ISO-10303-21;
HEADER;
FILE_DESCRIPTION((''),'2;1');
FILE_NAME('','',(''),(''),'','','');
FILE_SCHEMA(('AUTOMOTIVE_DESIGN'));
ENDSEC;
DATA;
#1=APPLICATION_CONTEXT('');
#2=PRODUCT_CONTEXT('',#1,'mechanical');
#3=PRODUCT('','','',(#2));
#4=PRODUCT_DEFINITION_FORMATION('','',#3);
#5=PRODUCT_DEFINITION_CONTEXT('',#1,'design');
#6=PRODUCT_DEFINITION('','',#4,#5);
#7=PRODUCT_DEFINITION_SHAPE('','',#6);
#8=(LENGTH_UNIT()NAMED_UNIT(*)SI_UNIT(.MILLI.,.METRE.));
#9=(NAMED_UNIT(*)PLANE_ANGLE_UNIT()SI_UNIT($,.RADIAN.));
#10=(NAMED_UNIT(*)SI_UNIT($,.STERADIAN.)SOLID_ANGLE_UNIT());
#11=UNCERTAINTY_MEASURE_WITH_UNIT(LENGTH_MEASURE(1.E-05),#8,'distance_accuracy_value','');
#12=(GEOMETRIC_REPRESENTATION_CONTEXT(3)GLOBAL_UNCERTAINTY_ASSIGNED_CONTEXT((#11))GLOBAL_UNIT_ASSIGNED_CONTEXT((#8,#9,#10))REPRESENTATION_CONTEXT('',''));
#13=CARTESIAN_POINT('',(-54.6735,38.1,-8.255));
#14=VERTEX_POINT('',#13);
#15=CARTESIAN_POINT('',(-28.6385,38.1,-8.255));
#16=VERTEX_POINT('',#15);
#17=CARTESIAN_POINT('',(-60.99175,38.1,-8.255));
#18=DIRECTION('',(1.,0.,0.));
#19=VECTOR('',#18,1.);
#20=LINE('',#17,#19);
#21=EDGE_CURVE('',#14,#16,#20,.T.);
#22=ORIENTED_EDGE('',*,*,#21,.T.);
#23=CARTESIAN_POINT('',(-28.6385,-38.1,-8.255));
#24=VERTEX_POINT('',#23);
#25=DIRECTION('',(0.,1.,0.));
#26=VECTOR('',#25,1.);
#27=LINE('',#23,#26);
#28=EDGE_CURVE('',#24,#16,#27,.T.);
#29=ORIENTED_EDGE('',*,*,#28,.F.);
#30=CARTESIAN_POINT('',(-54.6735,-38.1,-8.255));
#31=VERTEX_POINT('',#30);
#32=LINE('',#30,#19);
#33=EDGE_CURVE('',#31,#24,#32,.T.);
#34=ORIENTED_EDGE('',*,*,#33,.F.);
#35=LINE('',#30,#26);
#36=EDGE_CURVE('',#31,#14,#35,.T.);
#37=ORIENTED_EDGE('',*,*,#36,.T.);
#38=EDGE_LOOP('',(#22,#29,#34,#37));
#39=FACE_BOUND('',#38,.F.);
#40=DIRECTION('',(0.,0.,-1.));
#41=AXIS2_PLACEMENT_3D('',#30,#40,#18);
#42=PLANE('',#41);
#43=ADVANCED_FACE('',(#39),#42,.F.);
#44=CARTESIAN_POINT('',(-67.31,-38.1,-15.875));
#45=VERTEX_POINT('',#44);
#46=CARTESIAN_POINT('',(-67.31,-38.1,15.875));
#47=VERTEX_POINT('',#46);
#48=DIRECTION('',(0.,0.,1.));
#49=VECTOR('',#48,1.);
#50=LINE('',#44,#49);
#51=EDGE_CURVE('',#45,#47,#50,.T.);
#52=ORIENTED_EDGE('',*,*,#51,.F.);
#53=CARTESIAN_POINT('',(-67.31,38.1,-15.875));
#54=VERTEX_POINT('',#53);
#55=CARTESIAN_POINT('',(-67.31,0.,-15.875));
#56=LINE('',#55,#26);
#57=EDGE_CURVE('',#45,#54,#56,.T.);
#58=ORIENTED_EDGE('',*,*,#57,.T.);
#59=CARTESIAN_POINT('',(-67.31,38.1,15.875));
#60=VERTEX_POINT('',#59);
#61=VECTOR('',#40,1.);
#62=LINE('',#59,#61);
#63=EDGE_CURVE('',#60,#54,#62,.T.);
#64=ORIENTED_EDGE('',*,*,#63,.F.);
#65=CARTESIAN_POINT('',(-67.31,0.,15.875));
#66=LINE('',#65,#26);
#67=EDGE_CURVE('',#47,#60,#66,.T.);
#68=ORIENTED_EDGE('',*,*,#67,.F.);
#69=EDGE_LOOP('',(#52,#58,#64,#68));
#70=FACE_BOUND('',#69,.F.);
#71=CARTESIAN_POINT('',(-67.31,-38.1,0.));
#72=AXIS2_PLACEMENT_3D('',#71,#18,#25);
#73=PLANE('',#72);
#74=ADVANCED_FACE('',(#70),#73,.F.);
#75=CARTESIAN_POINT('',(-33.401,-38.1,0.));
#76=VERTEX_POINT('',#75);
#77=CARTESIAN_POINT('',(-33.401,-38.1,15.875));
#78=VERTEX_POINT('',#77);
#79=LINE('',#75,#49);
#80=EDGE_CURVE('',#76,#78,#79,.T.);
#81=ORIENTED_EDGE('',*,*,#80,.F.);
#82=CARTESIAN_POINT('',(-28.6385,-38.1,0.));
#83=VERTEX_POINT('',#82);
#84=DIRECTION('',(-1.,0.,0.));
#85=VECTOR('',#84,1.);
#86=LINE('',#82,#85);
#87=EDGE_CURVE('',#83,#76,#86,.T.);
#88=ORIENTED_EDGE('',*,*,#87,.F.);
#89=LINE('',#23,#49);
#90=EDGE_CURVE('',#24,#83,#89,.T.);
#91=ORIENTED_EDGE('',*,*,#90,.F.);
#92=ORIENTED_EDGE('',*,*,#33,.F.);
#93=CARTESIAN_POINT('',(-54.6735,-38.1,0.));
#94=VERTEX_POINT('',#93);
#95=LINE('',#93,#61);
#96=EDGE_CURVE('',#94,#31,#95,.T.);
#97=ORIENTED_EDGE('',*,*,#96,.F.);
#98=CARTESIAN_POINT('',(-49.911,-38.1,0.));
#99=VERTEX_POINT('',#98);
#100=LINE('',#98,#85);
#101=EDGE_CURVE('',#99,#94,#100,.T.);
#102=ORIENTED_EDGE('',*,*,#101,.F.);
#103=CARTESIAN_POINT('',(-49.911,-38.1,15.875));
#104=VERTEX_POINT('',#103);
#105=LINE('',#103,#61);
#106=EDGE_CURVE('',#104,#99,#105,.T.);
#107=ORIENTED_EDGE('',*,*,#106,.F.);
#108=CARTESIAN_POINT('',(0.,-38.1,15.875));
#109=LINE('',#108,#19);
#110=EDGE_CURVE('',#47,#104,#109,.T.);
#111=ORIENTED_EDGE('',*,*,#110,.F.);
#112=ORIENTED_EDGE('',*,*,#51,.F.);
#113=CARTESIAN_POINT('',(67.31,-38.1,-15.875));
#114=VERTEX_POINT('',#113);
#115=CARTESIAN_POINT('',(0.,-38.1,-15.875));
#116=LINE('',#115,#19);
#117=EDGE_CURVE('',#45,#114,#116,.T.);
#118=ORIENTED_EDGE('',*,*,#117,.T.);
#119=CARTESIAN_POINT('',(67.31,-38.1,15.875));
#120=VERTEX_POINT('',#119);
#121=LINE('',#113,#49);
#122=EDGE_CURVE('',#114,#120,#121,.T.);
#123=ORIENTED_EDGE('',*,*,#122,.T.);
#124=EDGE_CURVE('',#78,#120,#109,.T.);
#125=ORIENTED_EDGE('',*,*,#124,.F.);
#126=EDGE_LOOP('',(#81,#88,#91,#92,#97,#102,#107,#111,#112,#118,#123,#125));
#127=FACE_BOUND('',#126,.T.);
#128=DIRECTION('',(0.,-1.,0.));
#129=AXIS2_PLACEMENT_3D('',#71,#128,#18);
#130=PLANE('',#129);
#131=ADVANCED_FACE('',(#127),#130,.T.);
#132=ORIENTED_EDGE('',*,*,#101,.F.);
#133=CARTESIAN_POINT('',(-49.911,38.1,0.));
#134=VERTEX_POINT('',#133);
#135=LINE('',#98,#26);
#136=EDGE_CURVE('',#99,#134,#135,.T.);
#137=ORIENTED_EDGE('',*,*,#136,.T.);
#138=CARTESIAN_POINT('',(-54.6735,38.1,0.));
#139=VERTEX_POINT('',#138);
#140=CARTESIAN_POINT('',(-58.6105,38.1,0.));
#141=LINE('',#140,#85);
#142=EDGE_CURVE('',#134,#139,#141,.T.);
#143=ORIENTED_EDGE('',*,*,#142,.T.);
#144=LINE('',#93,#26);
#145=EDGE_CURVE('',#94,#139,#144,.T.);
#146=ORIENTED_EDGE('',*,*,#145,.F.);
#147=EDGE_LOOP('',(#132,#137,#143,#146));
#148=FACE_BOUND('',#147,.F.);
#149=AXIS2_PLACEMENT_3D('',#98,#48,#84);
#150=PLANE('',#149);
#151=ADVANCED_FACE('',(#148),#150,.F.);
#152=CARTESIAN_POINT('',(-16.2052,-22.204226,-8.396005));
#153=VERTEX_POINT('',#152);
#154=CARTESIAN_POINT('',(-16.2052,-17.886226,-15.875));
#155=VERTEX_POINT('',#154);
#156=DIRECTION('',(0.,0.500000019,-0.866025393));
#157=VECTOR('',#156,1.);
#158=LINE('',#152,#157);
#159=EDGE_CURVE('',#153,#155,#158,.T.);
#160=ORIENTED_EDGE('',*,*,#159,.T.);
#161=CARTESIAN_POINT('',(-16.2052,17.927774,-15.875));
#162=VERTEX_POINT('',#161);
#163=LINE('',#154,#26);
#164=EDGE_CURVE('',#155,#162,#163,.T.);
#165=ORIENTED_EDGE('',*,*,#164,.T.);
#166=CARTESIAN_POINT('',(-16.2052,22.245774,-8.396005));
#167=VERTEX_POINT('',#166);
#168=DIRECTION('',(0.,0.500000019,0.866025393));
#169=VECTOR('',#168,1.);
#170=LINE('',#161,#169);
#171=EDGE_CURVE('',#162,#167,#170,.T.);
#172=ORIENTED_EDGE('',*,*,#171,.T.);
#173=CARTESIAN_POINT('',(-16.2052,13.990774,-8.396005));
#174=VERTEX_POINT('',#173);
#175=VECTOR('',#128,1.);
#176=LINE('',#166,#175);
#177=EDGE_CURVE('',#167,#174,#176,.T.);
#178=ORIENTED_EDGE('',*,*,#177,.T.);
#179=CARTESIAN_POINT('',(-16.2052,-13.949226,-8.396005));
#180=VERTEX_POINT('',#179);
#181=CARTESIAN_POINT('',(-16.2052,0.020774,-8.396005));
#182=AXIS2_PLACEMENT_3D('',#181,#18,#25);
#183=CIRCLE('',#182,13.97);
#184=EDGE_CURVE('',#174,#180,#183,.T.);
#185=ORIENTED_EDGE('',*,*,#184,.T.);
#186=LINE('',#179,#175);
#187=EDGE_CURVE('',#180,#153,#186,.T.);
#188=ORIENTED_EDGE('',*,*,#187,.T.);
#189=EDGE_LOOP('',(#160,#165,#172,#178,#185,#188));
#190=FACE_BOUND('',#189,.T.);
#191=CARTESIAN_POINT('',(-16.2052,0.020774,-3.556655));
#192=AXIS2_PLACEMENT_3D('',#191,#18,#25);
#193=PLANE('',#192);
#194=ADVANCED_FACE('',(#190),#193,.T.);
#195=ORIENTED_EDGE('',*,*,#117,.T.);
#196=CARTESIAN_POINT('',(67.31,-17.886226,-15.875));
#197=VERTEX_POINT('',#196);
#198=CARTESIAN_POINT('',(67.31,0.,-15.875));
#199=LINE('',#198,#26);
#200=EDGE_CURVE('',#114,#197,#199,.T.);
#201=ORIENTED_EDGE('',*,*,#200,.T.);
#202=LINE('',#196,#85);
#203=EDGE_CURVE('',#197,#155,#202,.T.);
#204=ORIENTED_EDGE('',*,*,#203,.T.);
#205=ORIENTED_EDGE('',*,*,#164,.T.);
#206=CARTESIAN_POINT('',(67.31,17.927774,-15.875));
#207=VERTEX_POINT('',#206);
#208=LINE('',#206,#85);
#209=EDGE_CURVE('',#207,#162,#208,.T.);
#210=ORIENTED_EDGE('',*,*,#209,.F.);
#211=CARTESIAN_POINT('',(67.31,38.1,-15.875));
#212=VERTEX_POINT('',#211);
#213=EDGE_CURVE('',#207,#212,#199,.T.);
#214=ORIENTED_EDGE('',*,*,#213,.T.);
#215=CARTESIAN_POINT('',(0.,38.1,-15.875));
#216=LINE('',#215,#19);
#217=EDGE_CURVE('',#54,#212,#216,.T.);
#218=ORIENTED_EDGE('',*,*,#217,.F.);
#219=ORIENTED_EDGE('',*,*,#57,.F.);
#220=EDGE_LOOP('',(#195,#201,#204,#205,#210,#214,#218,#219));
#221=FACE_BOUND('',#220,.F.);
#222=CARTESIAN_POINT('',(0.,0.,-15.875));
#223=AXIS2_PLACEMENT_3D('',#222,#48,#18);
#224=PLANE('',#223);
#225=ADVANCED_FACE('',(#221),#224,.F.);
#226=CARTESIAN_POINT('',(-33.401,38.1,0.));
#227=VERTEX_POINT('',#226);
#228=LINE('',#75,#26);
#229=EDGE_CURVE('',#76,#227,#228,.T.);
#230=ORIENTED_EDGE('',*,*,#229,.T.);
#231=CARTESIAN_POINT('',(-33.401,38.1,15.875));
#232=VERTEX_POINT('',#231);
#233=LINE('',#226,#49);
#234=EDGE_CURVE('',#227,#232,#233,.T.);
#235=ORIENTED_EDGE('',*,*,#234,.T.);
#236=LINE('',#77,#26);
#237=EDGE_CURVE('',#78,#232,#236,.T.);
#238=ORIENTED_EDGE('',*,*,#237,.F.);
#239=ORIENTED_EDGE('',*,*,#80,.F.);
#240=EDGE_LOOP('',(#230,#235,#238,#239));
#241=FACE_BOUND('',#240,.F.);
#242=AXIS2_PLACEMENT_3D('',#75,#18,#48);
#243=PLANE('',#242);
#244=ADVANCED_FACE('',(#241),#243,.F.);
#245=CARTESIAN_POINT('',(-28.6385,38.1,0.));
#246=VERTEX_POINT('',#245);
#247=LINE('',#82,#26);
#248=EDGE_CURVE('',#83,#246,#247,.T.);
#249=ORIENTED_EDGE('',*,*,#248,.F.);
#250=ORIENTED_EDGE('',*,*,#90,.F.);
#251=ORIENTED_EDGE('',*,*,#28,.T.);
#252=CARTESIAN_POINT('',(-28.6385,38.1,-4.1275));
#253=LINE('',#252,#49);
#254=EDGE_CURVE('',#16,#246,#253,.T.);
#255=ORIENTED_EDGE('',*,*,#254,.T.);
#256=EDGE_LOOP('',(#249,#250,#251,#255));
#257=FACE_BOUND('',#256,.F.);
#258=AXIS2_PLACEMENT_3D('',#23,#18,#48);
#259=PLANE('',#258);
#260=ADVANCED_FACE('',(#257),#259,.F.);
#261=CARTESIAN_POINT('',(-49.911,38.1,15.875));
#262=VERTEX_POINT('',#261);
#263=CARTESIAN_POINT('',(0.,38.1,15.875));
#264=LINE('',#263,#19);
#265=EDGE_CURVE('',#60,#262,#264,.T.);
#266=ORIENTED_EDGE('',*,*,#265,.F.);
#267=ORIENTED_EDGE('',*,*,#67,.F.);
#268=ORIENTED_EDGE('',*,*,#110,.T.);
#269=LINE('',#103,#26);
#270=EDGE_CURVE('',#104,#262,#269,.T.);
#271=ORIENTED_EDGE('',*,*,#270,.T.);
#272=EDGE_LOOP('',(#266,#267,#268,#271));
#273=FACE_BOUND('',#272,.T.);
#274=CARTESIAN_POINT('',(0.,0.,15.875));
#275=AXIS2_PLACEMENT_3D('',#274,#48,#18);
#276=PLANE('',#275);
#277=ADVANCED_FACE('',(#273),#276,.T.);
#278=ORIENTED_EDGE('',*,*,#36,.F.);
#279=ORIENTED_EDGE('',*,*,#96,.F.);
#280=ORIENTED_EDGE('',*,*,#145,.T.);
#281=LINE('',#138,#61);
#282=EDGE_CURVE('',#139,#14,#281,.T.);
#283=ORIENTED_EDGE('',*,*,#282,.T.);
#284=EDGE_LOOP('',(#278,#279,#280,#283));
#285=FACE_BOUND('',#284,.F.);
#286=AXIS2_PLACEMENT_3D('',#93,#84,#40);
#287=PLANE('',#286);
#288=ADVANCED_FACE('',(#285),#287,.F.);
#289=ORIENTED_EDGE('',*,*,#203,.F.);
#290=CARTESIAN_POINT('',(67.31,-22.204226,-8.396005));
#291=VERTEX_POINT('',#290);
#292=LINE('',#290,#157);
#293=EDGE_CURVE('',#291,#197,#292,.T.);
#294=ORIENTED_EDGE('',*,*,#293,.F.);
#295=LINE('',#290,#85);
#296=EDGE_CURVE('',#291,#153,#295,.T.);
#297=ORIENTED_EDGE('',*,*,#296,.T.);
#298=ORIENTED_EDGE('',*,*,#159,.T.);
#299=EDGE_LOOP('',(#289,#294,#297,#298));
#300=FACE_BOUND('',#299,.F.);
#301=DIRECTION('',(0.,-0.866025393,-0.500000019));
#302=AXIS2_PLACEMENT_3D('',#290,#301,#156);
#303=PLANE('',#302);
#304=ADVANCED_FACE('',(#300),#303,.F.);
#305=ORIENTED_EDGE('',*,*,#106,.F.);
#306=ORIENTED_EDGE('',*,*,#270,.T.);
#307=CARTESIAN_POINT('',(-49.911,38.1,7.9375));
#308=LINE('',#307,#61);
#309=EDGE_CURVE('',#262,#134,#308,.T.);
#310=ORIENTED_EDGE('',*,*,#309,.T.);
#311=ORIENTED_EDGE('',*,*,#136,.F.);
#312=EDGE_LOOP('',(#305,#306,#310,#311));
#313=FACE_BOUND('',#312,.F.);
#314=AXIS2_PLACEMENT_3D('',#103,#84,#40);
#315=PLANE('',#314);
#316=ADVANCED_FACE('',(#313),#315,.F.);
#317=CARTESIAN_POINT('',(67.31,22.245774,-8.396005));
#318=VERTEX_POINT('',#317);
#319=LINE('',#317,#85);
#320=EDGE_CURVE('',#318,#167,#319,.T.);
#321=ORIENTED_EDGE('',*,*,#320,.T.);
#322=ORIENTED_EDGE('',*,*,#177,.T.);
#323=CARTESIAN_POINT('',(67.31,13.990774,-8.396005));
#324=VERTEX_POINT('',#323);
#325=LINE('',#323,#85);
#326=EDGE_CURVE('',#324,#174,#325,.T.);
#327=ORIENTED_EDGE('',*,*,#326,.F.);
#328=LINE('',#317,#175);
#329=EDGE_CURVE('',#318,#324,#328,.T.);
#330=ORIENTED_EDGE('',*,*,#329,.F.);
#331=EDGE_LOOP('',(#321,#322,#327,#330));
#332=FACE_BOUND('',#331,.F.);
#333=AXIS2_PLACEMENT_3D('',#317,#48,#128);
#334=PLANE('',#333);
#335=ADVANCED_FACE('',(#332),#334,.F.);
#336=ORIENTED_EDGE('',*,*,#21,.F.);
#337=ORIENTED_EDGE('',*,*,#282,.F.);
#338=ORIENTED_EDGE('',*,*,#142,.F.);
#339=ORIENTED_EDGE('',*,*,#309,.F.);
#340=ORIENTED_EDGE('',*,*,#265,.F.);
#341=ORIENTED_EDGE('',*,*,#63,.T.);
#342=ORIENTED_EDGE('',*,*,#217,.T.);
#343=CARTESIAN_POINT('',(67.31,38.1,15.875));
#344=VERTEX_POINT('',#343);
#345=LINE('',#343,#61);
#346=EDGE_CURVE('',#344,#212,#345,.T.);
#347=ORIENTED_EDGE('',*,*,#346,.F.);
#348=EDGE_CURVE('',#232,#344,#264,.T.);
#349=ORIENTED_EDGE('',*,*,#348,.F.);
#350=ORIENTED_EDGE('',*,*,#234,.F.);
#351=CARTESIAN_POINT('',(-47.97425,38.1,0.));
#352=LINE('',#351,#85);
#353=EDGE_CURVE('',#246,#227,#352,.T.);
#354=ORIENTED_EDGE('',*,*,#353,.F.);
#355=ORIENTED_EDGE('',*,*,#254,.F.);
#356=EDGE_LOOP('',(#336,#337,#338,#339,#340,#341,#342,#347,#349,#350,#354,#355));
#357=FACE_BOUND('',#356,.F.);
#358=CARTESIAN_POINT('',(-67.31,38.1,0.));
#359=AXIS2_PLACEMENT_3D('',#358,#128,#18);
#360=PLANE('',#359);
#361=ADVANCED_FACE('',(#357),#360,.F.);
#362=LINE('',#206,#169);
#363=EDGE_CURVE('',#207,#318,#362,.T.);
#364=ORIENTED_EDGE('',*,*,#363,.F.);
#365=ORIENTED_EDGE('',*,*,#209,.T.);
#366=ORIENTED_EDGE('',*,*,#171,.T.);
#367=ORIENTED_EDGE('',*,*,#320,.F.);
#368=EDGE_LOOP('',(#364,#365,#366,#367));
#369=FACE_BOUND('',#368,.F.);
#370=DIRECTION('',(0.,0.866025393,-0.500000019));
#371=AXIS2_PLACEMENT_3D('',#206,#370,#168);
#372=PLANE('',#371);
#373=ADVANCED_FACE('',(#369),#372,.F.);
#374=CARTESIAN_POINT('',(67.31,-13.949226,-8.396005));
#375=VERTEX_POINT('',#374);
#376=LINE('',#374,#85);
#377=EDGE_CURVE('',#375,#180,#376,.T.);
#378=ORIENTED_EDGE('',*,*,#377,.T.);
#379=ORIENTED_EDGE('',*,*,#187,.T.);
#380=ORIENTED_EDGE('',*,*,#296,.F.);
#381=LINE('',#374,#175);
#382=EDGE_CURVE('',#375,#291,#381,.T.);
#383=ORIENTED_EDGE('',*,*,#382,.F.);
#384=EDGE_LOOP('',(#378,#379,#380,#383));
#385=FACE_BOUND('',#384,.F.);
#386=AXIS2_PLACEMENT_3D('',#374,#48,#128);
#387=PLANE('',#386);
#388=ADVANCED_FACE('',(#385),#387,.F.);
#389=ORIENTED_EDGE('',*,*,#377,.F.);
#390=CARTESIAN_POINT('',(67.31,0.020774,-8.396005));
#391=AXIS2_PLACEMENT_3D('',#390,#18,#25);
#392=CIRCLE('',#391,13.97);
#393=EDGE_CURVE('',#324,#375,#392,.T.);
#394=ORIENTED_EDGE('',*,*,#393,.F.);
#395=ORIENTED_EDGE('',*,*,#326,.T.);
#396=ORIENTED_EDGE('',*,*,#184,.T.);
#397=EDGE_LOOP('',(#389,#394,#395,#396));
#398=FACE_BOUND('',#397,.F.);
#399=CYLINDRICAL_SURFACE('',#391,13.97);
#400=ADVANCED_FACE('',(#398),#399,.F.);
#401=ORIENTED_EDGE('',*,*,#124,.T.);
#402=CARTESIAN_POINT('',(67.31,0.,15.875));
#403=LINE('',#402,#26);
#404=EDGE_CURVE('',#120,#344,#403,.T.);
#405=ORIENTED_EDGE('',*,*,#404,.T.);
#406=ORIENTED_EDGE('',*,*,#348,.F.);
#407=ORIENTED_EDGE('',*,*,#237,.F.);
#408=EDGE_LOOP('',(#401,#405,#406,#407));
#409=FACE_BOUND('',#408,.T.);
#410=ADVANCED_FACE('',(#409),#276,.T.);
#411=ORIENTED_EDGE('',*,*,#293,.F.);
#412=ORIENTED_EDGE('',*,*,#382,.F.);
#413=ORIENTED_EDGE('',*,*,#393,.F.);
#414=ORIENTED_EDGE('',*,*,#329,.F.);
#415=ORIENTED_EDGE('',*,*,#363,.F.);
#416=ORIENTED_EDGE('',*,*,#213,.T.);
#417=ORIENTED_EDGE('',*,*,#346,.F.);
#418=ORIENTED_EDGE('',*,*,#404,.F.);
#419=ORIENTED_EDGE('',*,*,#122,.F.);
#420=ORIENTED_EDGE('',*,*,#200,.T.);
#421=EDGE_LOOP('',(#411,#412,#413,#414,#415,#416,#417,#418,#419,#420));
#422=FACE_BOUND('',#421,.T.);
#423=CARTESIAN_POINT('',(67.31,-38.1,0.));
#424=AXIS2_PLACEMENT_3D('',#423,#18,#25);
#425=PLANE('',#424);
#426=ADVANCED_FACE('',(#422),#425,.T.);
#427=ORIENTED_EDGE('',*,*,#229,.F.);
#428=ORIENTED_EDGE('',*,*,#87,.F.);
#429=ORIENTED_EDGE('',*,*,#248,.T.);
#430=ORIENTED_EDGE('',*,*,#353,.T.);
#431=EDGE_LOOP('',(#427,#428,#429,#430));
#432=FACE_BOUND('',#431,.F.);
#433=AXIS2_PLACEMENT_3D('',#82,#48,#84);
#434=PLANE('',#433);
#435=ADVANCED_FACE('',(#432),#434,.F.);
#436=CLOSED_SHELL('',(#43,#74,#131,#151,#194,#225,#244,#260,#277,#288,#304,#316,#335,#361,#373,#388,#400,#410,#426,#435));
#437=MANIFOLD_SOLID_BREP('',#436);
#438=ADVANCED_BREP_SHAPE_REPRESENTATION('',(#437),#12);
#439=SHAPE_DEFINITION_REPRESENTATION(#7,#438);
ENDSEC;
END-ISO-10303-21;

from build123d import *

# Parameters (mm, degrees)
F0_W     = 134.62
F0_H     = 76.2
F1_DEPTH = 15.875
F3_DEPTH = 76.201
F5_DEPTH = 83.5152


with BuildPart() as f1:
    # F0 (on Top) → F1 (new body, symmetric)
    with BuildSketch(Plane.XY):
        Rectangle(F0_W, F0_H)
    extrude(amount=F1_DEPTH, both=True)

    # F2 (on face) → F3 (cut, through all)
    with BuildSketch(Plane.XZ.offset(38.1)):
        Polygon((-33.401, 15.875), (-49.911, 15.875), (-49.911, 0), (-54.6735, 0), (-54.6735, -8.255), (-28.6385, -8.255), (-28.6385, 0), (-33.401, 0), align=None)
    extrude(amount=-F3_DEPTH, mode=Mode.SUBTRACT)

    # F4 (on face) → F5 (cut)
    with BuildSketch(Plane.YZ.offset(67.31)):
        with BuildLine():
            ThreePointArc((13.990774, -8.396005), (0.020774, 5.573995), (-13.949226, -8.396005))
            Line((-13.949226, -8.396005), (13.990774, -8.396005))
        make_face()
        Polygon((-13.949226, -8.396005), (-22.204226, -8.396005), (-17.886226, -15.875), (17.927774, -15.875), (22.245774, -8.396005), (13.990774, -8.396005), align=None)
    extrude(amount=-F5_DEPTH, mode=Mode.SUBTRACT)


with BuildPart() as f6_1:
    # F6: copy of F1
    add(f1.part)


solid = f1.part
